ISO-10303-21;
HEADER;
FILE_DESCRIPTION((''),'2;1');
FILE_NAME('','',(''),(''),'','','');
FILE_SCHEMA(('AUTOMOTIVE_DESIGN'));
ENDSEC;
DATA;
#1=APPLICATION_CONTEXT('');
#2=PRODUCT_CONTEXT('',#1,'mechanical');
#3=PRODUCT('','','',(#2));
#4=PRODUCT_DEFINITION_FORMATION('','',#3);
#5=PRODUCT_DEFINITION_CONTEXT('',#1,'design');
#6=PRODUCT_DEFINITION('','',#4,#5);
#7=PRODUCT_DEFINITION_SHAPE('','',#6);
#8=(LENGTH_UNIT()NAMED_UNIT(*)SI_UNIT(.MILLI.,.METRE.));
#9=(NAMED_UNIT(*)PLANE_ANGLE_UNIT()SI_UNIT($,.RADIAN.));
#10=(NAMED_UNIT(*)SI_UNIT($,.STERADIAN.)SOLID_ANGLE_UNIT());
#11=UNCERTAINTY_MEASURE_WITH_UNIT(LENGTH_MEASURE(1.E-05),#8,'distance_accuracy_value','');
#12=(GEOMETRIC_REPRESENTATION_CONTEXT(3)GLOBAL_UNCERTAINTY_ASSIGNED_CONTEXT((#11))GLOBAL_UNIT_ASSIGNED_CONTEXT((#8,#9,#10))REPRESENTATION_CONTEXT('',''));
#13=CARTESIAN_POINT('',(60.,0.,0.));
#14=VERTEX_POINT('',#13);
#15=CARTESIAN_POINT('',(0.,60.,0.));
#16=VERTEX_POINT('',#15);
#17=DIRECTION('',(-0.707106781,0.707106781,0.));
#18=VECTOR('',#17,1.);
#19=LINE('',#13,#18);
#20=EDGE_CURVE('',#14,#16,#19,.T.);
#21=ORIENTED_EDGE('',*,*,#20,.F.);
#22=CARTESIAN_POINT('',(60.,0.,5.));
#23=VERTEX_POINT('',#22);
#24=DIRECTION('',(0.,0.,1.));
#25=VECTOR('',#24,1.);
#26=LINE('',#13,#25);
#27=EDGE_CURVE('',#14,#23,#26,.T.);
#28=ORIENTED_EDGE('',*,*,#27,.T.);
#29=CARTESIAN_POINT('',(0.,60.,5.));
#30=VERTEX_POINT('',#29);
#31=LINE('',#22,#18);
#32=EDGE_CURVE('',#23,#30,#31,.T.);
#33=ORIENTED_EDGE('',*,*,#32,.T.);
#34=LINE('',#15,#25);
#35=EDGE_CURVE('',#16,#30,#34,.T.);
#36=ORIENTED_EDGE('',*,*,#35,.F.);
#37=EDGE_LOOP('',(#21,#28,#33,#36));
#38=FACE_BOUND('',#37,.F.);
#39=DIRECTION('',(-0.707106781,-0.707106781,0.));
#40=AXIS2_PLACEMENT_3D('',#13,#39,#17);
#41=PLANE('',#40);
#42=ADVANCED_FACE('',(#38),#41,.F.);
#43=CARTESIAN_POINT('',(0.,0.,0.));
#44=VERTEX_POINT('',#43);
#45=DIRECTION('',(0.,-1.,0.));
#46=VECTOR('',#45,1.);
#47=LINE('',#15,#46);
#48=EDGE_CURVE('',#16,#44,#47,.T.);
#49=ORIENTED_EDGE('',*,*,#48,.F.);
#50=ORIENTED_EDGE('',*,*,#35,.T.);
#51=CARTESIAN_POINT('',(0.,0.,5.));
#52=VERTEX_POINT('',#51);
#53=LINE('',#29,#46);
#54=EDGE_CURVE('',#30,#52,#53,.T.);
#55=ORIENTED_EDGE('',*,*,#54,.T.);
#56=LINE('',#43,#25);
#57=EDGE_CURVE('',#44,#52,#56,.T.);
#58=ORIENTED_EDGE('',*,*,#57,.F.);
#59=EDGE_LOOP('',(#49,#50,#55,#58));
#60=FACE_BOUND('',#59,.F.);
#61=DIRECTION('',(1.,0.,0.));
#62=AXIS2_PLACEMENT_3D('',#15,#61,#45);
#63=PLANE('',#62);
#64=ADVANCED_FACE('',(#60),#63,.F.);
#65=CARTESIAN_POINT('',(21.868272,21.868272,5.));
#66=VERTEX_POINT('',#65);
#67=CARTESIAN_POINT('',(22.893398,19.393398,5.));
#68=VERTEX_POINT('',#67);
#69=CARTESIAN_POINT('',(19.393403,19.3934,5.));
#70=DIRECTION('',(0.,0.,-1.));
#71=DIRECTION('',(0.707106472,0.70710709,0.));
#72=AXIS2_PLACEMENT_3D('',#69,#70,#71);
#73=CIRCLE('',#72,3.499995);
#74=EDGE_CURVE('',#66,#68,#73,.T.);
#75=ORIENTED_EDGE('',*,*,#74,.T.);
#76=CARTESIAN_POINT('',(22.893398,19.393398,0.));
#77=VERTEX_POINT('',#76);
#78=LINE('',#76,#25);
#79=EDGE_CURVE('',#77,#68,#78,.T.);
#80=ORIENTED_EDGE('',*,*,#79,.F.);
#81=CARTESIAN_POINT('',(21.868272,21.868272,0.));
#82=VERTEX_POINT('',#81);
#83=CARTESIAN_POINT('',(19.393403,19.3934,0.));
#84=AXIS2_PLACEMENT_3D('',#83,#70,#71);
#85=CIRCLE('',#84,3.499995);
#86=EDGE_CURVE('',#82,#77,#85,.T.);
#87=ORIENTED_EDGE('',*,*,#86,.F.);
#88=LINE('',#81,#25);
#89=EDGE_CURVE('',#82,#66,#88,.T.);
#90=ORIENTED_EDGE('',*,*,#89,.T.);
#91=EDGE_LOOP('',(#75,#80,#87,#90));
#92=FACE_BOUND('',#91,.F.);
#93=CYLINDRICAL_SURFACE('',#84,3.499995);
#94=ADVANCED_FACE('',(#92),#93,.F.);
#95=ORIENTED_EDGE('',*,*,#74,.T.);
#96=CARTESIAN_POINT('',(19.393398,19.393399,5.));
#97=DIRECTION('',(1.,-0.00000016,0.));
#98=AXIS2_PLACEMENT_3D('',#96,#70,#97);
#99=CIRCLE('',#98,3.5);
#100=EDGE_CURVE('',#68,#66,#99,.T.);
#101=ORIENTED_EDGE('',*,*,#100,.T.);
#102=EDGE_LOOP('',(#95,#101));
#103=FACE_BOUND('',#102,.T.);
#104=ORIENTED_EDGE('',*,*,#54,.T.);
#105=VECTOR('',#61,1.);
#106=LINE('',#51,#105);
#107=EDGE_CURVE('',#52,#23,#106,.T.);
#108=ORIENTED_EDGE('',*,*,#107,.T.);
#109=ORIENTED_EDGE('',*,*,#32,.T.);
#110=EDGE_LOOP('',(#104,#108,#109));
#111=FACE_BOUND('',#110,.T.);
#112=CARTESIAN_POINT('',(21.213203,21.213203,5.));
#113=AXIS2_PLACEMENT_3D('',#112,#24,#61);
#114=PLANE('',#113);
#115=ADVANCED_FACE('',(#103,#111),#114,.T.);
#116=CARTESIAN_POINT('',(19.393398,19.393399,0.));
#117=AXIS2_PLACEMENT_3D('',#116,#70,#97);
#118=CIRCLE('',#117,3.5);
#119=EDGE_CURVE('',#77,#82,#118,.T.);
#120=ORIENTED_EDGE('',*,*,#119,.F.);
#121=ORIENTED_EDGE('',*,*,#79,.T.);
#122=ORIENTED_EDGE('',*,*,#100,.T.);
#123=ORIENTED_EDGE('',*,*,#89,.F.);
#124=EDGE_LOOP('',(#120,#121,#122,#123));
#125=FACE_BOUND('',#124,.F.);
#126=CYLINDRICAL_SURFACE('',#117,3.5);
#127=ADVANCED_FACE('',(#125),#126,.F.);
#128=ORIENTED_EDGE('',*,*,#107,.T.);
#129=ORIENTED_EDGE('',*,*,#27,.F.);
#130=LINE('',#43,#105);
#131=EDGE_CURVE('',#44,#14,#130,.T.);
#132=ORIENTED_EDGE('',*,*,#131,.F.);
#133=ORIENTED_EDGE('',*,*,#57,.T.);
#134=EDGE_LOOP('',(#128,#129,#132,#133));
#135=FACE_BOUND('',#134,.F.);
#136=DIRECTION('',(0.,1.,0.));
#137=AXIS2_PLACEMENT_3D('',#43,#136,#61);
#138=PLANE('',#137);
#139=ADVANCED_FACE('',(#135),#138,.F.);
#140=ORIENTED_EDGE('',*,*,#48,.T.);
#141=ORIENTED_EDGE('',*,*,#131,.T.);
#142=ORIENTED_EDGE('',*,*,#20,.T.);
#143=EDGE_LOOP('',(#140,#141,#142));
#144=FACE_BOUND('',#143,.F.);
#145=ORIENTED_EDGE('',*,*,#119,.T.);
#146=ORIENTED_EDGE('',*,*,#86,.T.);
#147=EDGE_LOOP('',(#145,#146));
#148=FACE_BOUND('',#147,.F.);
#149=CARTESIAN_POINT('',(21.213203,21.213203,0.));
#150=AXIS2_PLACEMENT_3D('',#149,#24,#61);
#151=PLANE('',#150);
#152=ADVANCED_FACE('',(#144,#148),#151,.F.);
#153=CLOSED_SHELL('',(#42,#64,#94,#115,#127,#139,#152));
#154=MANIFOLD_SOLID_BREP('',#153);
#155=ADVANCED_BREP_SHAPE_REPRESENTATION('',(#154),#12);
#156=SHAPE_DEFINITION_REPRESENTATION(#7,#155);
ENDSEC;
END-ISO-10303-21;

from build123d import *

# Parameters (mm, degrees)
F1_DEPTH = 5


with BuildPart() as f1:
    # F0 (on Top) → F1 (new body)
    with BuildSketch(Plane.XY):
        Polygon((0, 60), (0, 0), (60, 0), (30, 30), align=None)
        with BuildLine():
            ThreePointArc((22.893398, 19.393398), (16.15982, 18.054006), (21.868272, 21.868272))
            ThreePointArc((21.868272, 21.868272), (22.626977, 20.73279), (22.893398, 19.393398))
        make_face(mode=Mode.SUBTRACT)
    extrude(amount=F1_DEPTH)


solid = f1.part
